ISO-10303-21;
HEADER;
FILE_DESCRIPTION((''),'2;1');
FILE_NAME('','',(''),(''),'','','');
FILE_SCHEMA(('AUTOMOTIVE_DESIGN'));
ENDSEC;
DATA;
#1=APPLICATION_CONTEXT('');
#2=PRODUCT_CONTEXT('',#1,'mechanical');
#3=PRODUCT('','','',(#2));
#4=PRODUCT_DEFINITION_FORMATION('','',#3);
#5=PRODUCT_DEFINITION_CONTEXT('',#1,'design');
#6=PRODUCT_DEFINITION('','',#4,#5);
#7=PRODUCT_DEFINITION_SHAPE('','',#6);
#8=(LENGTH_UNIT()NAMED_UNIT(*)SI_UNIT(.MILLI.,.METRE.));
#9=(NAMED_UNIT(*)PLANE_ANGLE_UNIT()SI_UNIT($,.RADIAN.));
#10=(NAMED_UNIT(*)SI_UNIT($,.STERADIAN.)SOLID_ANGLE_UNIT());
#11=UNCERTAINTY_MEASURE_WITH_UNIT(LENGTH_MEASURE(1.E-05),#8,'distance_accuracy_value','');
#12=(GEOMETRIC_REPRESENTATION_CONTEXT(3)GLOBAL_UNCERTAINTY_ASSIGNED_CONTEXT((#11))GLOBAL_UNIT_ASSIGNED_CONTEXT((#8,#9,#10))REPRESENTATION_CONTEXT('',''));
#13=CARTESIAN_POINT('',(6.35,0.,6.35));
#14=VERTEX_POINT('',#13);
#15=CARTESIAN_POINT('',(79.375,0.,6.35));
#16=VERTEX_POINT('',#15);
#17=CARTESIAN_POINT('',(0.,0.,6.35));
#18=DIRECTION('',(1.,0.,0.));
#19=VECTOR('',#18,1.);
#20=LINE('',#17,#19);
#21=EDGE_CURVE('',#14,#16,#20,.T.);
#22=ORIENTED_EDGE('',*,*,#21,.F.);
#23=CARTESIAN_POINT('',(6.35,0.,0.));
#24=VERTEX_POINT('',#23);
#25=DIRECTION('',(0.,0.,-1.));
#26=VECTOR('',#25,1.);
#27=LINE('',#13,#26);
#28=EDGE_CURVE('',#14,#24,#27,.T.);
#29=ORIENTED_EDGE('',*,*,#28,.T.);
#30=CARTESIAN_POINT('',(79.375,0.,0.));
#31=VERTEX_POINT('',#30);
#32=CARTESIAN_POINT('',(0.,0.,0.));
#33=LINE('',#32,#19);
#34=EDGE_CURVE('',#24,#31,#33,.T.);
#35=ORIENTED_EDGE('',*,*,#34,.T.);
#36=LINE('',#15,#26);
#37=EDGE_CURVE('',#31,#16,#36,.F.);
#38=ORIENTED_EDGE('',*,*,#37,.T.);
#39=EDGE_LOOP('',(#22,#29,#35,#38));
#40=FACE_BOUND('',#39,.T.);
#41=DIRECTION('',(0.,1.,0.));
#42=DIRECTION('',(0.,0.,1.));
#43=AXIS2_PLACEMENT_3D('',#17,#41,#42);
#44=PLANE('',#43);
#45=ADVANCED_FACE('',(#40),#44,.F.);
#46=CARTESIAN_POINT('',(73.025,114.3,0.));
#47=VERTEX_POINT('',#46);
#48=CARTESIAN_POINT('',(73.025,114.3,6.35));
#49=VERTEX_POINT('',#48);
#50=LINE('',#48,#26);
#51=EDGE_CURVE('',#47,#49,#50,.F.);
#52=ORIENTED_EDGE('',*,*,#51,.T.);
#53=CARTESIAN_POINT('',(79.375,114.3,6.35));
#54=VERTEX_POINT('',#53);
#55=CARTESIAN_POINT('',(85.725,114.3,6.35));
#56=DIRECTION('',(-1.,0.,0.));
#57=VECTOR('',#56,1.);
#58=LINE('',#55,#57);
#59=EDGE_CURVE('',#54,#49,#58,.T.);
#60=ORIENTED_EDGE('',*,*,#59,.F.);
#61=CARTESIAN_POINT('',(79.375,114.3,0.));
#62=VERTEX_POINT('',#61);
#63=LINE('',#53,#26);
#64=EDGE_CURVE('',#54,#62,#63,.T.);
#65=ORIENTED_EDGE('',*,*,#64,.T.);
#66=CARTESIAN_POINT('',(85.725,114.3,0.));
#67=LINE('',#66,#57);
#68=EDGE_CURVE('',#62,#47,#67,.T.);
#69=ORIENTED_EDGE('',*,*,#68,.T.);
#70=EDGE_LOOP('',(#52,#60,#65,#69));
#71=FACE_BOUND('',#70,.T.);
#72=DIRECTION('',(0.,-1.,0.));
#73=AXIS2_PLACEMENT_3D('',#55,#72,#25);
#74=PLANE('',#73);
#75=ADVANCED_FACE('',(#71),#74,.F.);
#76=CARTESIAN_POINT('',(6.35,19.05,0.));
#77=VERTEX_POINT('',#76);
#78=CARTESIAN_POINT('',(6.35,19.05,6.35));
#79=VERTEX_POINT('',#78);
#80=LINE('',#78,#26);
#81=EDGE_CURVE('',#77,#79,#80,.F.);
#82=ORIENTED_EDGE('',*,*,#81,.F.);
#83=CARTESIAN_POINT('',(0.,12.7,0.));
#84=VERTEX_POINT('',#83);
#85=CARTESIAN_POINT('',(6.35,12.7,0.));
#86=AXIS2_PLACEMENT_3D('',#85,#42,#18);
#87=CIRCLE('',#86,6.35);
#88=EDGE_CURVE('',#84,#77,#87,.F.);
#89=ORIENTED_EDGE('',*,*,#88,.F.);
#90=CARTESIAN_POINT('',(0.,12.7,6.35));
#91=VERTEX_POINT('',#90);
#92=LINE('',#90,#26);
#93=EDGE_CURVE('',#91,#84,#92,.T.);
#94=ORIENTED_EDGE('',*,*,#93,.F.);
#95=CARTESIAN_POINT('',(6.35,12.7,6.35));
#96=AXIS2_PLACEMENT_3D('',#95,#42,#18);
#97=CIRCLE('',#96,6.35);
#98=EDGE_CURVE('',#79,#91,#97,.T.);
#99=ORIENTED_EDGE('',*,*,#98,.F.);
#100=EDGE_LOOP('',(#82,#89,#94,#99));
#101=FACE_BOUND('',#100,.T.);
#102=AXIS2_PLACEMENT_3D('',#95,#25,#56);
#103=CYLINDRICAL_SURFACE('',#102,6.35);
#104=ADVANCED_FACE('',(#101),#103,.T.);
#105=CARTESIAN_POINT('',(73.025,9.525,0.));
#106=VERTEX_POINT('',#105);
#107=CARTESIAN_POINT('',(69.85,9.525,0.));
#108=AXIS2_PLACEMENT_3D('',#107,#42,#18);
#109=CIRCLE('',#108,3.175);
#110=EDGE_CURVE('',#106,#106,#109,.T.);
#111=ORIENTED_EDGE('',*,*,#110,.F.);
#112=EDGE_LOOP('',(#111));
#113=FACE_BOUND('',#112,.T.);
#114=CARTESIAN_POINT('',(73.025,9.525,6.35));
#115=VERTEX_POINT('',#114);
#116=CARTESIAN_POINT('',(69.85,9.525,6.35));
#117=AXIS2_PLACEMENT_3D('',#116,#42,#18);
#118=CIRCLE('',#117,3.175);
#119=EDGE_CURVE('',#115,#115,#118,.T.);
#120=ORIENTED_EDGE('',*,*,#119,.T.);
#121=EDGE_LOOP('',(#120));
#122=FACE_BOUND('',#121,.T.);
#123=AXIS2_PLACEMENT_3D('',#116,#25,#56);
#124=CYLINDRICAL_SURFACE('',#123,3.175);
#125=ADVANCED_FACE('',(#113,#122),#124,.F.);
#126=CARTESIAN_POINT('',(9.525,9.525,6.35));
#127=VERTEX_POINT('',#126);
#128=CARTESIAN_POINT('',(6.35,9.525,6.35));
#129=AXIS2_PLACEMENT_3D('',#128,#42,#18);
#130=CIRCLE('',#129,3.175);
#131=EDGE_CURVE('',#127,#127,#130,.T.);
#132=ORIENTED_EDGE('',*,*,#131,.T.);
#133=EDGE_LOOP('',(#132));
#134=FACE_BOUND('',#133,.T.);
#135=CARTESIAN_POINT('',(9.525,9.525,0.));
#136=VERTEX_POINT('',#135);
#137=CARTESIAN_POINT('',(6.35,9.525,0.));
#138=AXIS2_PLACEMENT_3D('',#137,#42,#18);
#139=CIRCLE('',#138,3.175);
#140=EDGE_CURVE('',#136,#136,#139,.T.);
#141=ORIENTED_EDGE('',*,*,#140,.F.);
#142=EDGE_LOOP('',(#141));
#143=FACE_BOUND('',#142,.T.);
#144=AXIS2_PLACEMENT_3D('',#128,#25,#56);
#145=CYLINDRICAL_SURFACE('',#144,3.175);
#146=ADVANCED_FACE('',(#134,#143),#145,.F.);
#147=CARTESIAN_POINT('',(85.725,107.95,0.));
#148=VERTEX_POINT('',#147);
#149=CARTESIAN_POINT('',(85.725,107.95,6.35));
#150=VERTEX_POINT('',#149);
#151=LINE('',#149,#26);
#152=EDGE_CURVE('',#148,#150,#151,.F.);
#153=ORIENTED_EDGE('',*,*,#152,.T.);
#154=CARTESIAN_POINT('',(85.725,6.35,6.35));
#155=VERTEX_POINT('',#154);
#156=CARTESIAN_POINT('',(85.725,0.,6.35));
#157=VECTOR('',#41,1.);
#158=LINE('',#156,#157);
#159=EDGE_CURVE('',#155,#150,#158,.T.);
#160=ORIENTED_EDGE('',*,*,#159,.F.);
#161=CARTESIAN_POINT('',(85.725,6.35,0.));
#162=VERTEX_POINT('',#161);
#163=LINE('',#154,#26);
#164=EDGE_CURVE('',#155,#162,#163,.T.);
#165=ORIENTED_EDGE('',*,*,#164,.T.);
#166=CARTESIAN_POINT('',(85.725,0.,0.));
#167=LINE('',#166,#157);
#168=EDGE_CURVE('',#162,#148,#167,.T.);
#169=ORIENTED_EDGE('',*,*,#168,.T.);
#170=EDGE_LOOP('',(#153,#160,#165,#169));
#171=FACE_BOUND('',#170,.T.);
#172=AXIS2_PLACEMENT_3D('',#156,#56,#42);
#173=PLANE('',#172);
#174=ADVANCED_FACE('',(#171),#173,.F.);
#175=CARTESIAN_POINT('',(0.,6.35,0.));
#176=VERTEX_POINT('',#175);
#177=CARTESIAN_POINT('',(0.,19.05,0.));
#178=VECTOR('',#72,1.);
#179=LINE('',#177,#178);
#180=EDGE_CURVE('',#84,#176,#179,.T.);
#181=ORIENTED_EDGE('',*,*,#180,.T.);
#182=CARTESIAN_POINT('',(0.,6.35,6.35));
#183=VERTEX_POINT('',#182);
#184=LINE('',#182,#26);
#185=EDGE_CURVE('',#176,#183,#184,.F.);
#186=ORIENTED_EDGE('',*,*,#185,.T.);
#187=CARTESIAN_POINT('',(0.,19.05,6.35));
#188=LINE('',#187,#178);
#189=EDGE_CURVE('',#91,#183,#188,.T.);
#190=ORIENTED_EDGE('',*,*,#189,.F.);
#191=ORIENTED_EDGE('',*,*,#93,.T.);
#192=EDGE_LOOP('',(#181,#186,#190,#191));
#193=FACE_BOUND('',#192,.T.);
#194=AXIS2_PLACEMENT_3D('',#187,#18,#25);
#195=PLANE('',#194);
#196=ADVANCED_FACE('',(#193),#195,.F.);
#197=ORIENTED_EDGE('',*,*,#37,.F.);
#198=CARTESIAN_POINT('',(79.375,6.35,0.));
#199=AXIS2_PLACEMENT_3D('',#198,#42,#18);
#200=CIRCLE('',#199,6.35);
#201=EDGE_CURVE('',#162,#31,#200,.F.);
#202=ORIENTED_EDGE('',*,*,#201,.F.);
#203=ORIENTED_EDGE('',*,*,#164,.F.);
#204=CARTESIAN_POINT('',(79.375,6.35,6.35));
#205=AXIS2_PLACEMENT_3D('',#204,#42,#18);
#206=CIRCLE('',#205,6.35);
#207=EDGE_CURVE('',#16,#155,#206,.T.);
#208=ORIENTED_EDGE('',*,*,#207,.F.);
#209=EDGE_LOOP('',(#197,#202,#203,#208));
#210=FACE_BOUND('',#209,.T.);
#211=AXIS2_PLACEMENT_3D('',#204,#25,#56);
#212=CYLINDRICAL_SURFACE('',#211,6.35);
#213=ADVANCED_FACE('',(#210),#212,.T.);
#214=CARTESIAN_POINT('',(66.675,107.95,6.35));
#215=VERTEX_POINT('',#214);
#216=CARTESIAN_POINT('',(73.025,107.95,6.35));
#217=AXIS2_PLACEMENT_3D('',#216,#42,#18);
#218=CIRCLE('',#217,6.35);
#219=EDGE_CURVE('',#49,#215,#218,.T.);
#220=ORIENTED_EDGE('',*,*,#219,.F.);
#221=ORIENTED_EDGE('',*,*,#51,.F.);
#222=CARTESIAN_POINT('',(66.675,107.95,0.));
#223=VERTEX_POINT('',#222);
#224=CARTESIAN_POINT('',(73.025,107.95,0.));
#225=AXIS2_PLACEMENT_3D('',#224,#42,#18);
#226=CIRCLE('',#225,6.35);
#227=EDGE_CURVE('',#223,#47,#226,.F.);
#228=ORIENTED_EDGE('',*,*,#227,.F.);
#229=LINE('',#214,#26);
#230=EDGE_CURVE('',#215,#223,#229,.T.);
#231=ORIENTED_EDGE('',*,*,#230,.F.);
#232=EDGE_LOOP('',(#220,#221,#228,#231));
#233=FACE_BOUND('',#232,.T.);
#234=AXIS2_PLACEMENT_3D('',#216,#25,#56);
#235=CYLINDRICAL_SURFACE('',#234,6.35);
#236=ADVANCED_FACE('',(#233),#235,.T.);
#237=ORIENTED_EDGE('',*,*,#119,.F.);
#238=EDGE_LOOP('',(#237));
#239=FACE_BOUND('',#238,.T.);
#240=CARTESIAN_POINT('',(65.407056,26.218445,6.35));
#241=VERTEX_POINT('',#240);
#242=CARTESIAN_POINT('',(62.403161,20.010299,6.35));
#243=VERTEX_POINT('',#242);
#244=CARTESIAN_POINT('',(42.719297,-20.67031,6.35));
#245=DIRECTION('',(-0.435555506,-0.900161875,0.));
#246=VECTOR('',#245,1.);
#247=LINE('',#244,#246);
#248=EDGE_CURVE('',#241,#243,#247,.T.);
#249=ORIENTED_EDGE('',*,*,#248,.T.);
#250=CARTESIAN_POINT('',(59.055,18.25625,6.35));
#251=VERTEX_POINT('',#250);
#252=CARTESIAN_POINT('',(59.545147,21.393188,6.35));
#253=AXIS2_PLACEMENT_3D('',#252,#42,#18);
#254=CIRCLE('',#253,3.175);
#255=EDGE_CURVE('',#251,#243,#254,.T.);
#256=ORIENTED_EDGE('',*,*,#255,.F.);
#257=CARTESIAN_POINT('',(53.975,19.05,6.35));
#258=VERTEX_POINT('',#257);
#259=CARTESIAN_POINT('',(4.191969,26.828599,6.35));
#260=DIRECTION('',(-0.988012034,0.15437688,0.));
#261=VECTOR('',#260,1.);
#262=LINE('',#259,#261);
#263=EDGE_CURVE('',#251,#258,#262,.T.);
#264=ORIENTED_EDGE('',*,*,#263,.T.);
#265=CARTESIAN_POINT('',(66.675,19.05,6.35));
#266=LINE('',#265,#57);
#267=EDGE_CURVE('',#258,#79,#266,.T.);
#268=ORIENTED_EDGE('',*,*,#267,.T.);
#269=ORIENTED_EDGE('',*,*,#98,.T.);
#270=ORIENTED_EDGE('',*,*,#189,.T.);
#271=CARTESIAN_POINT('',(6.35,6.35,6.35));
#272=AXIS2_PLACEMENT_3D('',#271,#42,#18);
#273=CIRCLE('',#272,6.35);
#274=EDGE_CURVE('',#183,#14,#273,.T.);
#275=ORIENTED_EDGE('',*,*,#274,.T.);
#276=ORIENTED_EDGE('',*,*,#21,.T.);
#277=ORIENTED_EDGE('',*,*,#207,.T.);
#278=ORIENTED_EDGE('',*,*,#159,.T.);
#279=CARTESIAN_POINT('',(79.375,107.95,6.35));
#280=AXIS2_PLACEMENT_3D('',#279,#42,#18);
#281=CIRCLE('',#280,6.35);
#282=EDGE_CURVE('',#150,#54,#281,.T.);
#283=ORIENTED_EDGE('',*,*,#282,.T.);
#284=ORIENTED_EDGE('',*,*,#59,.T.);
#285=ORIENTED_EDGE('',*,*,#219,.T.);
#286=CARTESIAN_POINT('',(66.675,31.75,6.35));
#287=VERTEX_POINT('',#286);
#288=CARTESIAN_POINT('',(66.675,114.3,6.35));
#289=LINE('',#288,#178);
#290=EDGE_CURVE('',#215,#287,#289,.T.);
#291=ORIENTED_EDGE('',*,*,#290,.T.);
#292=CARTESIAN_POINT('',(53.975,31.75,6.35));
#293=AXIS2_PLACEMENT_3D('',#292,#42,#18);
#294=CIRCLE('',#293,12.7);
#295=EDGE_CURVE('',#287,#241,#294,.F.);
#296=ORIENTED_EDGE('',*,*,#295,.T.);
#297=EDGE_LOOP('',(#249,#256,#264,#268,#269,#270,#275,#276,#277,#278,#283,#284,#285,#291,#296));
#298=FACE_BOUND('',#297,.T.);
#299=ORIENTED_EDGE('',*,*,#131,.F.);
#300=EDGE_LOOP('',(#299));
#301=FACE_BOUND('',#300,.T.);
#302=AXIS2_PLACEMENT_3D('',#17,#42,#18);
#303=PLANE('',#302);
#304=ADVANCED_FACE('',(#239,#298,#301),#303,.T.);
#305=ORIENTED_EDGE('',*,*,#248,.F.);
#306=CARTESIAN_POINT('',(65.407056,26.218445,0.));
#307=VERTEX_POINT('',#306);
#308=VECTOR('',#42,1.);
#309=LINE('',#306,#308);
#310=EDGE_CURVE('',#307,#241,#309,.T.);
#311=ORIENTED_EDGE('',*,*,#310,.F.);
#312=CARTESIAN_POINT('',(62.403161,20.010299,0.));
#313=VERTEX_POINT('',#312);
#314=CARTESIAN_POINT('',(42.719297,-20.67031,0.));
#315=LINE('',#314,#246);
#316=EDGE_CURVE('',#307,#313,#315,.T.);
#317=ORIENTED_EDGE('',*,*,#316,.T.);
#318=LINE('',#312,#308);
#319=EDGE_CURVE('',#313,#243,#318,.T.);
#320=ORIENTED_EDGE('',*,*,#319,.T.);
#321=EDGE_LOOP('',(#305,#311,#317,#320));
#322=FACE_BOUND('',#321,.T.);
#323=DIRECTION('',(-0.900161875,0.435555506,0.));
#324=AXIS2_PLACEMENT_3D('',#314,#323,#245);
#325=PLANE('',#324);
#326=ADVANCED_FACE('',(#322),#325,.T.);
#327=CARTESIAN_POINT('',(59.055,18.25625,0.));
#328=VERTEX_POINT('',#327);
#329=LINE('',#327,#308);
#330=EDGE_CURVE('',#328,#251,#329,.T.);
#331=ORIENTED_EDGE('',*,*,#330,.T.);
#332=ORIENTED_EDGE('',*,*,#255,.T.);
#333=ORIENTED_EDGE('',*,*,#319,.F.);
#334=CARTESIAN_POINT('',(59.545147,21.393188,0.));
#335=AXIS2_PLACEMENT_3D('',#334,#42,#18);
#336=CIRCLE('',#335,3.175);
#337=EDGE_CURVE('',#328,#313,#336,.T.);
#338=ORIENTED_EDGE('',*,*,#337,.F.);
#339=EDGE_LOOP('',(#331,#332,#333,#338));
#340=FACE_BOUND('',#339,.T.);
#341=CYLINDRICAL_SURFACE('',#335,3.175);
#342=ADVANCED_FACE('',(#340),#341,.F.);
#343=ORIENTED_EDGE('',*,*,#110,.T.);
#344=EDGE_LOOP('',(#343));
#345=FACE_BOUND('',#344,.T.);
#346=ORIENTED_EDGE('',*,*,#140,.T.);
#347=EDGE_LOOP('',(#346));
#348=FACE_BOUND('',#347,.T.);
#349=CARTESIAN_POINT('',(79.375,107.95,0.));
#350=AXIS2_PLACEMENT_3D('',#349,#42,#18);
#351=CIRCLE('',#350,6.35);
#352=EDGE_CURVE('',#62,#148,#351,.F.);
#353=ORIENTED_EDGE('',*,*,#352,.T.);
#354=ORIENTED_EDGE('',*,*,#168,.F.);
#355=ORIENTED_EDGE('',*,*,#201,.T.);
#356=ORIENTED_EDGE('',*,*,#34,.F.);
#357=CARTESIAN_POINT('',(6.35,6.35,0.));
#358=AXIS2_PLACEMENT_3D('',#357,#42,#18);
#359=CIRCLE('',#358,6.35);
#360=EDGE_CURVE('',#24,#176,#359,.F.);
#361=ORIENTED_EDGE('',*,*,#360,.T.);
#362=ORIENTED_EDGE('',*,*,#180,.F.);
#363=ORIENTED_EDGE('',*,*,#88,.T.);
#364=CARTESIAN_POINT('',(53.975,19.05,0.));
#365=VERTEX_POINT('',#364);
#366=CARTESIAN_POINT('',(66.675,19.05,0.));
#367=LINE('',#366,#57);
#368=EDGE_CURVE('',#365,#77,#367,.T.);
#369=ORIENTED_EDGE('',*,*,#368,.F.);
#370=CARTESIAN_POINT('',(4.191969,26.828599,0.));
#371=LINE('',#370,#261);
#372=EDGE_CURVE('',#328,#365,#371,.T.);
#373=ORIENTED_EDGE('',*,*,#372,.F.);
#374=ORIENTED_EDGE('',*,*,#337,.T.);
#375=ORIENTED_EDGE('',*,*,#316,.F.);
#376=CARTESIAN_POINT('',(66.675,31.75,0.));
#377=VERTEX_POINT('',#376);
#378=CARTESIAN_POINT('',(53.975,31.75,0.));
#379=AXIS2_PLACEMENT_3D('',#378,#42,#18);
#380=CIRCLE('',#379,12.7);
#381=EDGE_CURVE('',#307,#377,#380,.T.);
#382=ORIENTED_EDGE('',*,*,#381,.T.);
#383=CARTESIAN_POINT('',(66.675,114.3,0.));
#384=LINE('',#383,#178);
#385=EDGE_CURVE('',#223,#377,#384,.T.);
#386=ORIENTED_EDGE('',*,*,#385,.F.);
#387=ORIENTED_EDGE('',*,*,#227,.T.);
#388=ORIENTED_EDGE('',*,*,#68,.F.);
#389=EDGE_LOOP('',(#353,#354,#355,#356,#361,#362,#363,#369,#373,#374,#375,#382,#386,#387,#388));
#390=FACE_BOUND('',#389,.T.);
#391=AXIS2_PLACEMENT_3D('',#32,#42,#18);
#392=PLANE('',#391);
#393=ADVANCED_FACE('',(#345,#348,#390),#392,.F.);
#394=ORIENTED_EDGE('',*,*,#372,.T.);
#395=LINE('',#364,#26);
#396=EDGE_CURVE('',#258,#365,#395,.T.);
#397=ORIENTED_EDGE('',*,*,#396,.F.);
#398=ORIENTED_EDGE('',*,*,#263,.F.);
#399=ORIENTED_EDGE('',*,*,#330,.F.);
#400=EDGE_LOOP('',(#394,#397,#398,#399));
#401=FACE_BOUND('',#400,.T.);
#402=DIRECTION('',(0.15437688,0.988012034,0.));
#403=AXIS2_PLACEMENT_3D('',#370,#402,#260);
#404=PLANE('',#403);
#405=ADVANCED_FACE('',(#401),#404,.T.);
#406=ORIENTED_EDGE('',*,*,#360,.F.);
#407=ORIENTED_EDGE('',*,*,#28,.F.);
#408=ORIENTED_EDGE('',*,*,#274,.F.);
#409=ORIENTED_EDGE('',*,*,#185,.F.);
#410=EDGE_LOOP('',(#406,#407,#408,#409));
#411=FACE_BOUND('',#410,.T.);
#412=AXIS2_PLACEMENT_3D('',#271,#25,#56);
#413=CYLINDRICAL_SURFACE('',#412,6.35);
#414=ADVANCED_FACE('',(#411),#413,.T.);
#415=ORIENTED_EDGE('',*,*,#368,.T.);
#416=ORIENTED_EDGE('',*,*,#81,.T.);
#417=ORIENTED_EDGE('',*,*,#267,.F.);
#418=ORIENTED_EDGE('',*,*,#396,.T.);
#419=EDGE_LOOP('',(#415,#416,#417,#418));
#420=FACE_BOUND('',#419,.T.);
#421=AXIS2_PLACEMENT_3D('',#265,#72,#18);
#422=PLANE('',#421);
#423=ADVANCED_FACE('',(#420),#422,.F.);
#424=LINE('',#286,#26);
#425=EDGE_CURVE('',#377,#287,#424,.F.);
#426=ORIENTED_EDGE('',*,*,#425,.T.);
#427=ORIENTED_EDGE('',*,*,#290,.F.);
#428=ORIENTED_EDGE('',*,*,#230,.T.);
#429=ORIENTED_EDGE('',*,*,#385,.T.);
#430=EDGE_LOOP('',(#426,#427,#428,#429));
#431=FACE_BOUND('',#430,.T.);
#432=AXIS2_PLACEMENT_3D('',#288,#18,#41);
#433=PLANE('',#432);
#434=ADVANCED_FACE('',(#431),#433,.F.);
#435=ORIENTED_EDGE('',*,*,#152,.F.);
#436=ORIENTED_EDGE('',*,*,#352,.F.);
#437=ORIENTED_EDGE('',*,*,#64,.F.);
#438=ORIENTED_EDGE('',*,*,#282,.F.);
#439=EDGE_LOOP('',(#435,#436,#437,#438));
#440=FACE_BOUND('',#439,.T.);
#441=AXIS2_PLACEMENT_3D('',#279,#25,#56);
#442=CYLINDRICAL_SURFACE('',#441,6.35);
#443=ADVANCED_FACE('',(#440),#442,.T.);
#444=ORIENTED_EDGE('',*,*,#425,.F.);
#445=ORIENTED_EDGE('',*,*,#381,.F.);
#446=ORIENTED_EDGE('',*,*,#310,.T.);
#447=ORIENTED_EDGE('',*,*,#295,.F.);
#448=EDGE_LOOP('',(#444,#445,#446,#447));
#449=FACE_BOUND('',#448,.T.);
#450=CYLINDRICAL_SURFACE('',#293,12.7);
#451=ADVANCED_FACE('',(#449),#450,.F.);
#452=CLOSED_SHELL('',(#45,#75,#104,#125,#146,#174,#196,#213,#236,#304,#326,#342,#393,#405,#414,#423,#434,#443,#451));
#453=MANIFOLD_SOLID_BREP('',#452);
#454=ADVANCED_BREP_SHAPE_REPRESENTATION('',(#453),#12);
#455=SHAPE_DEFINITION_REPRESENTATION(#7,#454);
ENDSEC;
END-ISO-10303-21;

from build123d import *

# Parameters (mm, degrees)
SKETCH1_R           = 3.175
BOSS_EXTRUDE1_DEPTH = 6.35
FILLET1_R           = 6.35
FILLET2_R           = 12.7
CUT_EXTRUDE1_DEPTH  = 7.35


with BuildPart() as part:
    # Sketch1 → Boss-Extrude1 (new body)
    with BuildSketch(Plane.XY):
        Polygon((0, 19.05), (0, 0), (85.725, 0), (85.725, 114.3), (66.675, 114.3), (66.675, 19.05), align=None)
        with Locations((69.85, 9.525)):
            Circle(SKETCH1_R, mode=Mode.SUBTRACT)
        with Locations((6.35, 9.525)):
            Circle(SKETCH1_R, mode=Mode.SUBTRACT)
    extrude(amount=BOSS_EXTRUDE1_DEPTH)

    # Fillet1
    fillet1_edges = [part.edges().sort_by_distance(p)[0] for p in [
        (66.675, 114.3, 3.175),
        (85.725, 114.3, 3.175),
        (85.725, 0, 3.175),
        (0, 0, 3.175),
        (0, 19.05, 3.175),
    ]]
    fillet(fillet1_edges, radius=FILLET1_R)

    # Fillet2
    fillet2_edges = [part.edges().sort_by_distance(p)[0] for p in [
        (66.675, 19.05, 3.175),
    ]]
    fillet(fillet2_edges, radius=FILLET2_R)

    # Sketch2 → Cut-Extrude1 (cut, through all)
    with BuildSketch(Plane.XY.offset(6.35)):
        with BuildLine():
            Line((53.975, 19.05), (59.055, 18.25625))
            ThreePointArc((59.055, 18.25625), (57.942186014, 18.652541864), (57.051260526, 19.42820544))
            ThreePointArc((57.051260526, 19.42820544), (55.524711116, 19.144905972), (53.975, 19.05))
        make_face()
        with BuildLine():
            ThreePointArc((57.051260526, 19.42820544), (57.942186014, 18.652541864), (59.055, 18.25625))
            ThreePointArc((59.055, 18.25625), (61.018534307, 18.580759781), (62.403160549, 20.010299477))
            ThreePointArc((62.403160549, 20.010299477), (62.639885623, 20.683811475), (62.720146595, 21.393188207))
            ThreePointArc((62.720146595, 21.393188207), (62.67970364, 21.89833881), (62.559405095, 22.390620257))
            ThreePointArc((62.559405095, 22.390620257), (59.990542874, 20.565043856), (57.051260526, 19.42820544))
        make_face()
        with BuildLine():
            ThreePointArc((62.720146595, 21.393188207), (62.639885623, 20.683811475), (62.403160549, 20.010299477))
            Line((62.403160549, 20.010299477), (65.407055815, 26.21844508))
            ThreePointArc((65.407055815, 26.21844508), (64.164589666, 24.169613306), (62.559405095, 22.390620257))
            ThreePointArc((62.559405095, 22.390620257), (62.67970364, 21.89833881), (62.720146595, 21.393188207))
        make_face()
    extrude(amount=-CUT_EXTRUDE1_DEPTH, mode=Mode.SUBTRACT)


solid = part.part
